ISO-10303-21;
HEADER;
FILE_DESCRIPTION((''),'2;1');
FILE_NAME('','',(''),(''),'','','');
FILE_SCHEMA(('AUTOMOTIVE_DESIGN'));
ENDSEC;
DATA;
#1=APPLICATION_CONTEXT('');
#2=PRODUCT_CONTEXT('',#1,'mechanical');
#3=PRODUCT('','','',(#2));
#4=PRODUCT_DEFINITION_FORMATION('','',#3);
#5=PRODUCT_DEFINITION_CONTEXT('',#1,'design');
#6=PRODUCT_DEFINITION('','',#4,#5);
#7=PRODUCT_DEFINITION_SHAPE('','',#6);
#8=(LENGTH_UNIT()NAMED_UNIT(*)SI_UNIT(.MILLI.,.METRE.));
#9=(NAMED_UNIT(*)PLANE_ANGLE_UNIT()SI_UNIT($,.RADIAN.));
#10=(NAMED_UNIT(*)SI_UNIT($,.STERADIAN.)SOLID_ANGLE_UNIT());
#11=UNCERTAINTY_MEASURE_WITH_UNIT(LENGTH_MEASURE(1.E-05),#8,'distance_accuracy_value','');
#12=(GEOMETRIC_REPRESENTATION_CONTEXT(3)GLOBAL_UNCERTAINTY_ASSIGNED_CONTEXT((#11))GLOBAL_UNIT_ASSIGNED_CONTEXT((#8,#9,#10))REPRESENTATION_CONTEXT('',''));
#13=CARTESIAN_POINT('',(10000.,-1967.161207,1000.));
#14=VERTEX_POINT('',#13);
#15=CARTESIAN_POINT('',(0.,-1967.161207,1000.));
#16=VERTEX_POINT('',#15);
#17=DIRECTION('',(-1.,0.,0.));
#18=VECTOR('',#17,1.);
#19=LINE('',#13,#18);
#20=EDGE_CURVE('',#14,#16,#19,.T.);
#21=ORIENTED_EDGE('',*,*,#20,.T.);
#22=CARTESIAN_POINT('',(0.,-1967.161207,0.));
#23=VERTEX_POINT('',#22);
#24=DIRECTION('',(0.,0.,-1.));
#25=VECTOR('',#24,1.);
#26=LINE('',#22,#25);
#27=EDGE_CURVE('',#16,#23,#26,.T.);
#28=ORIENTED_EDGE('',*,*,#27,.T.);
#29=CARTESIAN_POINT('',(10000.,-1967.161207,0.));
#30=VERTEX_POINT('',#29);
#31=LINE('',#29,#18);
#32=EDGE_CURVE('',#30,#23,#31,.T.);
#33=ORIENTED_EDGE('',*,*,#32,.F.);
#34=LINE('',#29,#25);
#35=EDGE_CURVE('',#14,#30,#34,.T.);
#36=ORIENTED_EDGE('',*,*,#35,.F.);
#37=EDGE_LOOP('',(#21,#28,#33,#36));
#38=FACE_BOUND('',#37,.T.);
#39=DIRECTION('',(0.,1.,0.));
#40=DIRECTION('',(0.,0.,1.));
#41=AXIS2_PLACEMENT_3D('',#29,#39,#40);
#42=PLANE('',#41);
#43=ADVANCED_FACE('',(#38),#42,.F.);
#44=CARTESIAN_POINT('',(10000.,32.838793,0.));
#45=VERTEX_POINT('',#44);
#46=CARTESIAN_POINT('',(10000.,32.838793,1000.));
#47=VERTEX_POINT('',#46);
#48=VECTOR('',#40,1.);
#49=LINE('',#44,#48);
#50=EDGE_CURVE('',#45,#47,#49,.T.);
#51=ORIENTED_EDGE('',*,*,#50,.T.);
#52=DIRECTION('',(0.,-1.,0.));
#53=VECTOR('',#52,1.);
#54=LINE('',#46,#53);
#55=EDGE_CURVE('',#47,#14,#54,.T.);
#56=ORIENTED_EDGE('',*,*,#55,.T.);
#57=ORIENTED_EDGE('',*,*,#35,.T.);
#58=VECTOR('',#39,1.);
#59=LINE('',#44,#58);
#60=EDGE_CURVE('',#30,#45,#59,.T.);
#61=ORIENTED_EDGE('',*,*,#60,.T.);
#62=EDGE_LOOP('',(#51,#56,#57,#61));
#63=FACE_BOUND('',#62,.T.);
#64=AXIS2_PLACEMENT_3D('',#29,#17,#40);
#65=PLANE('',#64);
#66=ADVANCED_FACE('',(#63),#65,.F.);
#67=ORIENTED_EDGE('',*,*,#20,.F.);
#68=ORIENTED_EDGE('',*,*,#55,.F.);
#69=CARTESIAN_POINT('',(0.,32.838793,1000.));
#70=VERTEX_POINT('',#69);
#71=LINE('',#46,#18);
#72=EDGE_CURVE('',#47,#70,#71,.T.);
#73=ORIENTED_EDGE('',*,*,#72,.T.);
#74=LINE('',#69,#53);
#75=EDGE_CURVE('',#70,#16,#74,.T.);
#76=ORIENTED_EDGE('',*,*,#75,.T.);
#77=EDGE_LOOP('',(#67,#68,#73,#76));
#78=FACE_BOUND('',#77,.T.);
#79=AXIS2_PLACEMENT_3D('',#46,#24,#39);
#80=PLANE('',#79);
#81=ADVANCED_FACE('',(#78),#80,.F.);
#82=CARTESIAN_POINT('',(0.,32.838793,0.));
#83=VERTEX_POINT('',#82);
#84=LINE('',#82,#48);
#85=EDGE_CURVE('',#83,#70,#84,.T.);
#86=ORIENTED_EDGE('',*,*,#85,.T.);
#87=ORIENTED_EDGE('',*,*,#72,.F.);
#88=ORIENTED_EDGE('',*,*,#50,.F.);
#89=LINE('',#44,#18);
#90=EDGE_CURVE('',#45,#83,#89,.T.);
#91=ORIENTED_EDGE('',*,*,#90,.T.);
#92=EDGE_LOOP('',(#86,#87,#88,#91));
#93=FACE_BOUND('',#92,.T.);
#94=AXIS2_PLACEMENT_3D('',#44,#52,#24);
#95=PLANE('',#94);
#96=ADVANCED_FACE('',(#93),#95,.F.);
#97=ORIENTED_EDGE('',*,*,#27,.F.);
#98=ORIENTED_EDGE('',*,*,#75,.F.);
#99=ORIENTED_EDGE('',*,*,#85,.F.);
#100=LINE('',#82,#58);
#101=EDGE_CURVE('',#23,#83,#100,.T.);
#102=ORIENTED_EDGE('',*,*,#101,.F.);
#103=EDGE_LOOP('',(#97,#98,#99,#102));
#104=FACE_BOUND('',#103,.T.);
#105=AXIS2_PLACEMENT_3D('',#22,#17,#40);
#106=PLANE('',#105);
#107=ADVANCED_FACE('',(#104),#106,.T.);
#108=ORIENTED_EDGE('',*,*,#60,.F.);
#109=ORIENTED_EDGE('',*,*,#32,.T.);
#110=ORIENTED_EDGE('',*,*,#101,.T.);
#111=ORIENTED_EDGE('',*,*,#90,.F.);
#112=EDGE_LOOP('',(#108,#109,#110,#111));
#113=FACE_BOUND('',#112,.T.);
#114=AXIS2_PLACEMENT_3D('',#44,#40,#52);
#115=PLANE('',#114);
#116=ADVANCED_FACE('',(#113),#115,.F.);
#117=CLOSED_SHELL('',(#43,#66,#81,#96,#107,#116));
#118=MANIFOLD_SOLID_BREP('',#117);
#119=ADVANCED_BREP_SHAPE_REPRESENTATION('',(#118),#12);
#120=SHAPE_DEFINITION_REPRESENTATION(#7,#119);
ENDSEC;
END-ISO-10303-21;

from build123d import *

# Parameters (mm, degrees)
SKETCH1_W      = 1000
SKETCH1_H      = 2000
EXTRUDE1_DEPTH = 10000


with BuildPart() as part:
    # Sketch1 → Extrude1 (new body)
    with BuildSketch(Plane(origin=(0, 0, 0), x_dir=(0, 0, -1), z_dir=(1, 0, 0))):
        with Locations((-500, -967.16120687)):
            Rectangle(SKETCH1_W, SKETCH1_H)
    extrude(amount=EXTRUDE1_DEPTH)


solid = part.part
